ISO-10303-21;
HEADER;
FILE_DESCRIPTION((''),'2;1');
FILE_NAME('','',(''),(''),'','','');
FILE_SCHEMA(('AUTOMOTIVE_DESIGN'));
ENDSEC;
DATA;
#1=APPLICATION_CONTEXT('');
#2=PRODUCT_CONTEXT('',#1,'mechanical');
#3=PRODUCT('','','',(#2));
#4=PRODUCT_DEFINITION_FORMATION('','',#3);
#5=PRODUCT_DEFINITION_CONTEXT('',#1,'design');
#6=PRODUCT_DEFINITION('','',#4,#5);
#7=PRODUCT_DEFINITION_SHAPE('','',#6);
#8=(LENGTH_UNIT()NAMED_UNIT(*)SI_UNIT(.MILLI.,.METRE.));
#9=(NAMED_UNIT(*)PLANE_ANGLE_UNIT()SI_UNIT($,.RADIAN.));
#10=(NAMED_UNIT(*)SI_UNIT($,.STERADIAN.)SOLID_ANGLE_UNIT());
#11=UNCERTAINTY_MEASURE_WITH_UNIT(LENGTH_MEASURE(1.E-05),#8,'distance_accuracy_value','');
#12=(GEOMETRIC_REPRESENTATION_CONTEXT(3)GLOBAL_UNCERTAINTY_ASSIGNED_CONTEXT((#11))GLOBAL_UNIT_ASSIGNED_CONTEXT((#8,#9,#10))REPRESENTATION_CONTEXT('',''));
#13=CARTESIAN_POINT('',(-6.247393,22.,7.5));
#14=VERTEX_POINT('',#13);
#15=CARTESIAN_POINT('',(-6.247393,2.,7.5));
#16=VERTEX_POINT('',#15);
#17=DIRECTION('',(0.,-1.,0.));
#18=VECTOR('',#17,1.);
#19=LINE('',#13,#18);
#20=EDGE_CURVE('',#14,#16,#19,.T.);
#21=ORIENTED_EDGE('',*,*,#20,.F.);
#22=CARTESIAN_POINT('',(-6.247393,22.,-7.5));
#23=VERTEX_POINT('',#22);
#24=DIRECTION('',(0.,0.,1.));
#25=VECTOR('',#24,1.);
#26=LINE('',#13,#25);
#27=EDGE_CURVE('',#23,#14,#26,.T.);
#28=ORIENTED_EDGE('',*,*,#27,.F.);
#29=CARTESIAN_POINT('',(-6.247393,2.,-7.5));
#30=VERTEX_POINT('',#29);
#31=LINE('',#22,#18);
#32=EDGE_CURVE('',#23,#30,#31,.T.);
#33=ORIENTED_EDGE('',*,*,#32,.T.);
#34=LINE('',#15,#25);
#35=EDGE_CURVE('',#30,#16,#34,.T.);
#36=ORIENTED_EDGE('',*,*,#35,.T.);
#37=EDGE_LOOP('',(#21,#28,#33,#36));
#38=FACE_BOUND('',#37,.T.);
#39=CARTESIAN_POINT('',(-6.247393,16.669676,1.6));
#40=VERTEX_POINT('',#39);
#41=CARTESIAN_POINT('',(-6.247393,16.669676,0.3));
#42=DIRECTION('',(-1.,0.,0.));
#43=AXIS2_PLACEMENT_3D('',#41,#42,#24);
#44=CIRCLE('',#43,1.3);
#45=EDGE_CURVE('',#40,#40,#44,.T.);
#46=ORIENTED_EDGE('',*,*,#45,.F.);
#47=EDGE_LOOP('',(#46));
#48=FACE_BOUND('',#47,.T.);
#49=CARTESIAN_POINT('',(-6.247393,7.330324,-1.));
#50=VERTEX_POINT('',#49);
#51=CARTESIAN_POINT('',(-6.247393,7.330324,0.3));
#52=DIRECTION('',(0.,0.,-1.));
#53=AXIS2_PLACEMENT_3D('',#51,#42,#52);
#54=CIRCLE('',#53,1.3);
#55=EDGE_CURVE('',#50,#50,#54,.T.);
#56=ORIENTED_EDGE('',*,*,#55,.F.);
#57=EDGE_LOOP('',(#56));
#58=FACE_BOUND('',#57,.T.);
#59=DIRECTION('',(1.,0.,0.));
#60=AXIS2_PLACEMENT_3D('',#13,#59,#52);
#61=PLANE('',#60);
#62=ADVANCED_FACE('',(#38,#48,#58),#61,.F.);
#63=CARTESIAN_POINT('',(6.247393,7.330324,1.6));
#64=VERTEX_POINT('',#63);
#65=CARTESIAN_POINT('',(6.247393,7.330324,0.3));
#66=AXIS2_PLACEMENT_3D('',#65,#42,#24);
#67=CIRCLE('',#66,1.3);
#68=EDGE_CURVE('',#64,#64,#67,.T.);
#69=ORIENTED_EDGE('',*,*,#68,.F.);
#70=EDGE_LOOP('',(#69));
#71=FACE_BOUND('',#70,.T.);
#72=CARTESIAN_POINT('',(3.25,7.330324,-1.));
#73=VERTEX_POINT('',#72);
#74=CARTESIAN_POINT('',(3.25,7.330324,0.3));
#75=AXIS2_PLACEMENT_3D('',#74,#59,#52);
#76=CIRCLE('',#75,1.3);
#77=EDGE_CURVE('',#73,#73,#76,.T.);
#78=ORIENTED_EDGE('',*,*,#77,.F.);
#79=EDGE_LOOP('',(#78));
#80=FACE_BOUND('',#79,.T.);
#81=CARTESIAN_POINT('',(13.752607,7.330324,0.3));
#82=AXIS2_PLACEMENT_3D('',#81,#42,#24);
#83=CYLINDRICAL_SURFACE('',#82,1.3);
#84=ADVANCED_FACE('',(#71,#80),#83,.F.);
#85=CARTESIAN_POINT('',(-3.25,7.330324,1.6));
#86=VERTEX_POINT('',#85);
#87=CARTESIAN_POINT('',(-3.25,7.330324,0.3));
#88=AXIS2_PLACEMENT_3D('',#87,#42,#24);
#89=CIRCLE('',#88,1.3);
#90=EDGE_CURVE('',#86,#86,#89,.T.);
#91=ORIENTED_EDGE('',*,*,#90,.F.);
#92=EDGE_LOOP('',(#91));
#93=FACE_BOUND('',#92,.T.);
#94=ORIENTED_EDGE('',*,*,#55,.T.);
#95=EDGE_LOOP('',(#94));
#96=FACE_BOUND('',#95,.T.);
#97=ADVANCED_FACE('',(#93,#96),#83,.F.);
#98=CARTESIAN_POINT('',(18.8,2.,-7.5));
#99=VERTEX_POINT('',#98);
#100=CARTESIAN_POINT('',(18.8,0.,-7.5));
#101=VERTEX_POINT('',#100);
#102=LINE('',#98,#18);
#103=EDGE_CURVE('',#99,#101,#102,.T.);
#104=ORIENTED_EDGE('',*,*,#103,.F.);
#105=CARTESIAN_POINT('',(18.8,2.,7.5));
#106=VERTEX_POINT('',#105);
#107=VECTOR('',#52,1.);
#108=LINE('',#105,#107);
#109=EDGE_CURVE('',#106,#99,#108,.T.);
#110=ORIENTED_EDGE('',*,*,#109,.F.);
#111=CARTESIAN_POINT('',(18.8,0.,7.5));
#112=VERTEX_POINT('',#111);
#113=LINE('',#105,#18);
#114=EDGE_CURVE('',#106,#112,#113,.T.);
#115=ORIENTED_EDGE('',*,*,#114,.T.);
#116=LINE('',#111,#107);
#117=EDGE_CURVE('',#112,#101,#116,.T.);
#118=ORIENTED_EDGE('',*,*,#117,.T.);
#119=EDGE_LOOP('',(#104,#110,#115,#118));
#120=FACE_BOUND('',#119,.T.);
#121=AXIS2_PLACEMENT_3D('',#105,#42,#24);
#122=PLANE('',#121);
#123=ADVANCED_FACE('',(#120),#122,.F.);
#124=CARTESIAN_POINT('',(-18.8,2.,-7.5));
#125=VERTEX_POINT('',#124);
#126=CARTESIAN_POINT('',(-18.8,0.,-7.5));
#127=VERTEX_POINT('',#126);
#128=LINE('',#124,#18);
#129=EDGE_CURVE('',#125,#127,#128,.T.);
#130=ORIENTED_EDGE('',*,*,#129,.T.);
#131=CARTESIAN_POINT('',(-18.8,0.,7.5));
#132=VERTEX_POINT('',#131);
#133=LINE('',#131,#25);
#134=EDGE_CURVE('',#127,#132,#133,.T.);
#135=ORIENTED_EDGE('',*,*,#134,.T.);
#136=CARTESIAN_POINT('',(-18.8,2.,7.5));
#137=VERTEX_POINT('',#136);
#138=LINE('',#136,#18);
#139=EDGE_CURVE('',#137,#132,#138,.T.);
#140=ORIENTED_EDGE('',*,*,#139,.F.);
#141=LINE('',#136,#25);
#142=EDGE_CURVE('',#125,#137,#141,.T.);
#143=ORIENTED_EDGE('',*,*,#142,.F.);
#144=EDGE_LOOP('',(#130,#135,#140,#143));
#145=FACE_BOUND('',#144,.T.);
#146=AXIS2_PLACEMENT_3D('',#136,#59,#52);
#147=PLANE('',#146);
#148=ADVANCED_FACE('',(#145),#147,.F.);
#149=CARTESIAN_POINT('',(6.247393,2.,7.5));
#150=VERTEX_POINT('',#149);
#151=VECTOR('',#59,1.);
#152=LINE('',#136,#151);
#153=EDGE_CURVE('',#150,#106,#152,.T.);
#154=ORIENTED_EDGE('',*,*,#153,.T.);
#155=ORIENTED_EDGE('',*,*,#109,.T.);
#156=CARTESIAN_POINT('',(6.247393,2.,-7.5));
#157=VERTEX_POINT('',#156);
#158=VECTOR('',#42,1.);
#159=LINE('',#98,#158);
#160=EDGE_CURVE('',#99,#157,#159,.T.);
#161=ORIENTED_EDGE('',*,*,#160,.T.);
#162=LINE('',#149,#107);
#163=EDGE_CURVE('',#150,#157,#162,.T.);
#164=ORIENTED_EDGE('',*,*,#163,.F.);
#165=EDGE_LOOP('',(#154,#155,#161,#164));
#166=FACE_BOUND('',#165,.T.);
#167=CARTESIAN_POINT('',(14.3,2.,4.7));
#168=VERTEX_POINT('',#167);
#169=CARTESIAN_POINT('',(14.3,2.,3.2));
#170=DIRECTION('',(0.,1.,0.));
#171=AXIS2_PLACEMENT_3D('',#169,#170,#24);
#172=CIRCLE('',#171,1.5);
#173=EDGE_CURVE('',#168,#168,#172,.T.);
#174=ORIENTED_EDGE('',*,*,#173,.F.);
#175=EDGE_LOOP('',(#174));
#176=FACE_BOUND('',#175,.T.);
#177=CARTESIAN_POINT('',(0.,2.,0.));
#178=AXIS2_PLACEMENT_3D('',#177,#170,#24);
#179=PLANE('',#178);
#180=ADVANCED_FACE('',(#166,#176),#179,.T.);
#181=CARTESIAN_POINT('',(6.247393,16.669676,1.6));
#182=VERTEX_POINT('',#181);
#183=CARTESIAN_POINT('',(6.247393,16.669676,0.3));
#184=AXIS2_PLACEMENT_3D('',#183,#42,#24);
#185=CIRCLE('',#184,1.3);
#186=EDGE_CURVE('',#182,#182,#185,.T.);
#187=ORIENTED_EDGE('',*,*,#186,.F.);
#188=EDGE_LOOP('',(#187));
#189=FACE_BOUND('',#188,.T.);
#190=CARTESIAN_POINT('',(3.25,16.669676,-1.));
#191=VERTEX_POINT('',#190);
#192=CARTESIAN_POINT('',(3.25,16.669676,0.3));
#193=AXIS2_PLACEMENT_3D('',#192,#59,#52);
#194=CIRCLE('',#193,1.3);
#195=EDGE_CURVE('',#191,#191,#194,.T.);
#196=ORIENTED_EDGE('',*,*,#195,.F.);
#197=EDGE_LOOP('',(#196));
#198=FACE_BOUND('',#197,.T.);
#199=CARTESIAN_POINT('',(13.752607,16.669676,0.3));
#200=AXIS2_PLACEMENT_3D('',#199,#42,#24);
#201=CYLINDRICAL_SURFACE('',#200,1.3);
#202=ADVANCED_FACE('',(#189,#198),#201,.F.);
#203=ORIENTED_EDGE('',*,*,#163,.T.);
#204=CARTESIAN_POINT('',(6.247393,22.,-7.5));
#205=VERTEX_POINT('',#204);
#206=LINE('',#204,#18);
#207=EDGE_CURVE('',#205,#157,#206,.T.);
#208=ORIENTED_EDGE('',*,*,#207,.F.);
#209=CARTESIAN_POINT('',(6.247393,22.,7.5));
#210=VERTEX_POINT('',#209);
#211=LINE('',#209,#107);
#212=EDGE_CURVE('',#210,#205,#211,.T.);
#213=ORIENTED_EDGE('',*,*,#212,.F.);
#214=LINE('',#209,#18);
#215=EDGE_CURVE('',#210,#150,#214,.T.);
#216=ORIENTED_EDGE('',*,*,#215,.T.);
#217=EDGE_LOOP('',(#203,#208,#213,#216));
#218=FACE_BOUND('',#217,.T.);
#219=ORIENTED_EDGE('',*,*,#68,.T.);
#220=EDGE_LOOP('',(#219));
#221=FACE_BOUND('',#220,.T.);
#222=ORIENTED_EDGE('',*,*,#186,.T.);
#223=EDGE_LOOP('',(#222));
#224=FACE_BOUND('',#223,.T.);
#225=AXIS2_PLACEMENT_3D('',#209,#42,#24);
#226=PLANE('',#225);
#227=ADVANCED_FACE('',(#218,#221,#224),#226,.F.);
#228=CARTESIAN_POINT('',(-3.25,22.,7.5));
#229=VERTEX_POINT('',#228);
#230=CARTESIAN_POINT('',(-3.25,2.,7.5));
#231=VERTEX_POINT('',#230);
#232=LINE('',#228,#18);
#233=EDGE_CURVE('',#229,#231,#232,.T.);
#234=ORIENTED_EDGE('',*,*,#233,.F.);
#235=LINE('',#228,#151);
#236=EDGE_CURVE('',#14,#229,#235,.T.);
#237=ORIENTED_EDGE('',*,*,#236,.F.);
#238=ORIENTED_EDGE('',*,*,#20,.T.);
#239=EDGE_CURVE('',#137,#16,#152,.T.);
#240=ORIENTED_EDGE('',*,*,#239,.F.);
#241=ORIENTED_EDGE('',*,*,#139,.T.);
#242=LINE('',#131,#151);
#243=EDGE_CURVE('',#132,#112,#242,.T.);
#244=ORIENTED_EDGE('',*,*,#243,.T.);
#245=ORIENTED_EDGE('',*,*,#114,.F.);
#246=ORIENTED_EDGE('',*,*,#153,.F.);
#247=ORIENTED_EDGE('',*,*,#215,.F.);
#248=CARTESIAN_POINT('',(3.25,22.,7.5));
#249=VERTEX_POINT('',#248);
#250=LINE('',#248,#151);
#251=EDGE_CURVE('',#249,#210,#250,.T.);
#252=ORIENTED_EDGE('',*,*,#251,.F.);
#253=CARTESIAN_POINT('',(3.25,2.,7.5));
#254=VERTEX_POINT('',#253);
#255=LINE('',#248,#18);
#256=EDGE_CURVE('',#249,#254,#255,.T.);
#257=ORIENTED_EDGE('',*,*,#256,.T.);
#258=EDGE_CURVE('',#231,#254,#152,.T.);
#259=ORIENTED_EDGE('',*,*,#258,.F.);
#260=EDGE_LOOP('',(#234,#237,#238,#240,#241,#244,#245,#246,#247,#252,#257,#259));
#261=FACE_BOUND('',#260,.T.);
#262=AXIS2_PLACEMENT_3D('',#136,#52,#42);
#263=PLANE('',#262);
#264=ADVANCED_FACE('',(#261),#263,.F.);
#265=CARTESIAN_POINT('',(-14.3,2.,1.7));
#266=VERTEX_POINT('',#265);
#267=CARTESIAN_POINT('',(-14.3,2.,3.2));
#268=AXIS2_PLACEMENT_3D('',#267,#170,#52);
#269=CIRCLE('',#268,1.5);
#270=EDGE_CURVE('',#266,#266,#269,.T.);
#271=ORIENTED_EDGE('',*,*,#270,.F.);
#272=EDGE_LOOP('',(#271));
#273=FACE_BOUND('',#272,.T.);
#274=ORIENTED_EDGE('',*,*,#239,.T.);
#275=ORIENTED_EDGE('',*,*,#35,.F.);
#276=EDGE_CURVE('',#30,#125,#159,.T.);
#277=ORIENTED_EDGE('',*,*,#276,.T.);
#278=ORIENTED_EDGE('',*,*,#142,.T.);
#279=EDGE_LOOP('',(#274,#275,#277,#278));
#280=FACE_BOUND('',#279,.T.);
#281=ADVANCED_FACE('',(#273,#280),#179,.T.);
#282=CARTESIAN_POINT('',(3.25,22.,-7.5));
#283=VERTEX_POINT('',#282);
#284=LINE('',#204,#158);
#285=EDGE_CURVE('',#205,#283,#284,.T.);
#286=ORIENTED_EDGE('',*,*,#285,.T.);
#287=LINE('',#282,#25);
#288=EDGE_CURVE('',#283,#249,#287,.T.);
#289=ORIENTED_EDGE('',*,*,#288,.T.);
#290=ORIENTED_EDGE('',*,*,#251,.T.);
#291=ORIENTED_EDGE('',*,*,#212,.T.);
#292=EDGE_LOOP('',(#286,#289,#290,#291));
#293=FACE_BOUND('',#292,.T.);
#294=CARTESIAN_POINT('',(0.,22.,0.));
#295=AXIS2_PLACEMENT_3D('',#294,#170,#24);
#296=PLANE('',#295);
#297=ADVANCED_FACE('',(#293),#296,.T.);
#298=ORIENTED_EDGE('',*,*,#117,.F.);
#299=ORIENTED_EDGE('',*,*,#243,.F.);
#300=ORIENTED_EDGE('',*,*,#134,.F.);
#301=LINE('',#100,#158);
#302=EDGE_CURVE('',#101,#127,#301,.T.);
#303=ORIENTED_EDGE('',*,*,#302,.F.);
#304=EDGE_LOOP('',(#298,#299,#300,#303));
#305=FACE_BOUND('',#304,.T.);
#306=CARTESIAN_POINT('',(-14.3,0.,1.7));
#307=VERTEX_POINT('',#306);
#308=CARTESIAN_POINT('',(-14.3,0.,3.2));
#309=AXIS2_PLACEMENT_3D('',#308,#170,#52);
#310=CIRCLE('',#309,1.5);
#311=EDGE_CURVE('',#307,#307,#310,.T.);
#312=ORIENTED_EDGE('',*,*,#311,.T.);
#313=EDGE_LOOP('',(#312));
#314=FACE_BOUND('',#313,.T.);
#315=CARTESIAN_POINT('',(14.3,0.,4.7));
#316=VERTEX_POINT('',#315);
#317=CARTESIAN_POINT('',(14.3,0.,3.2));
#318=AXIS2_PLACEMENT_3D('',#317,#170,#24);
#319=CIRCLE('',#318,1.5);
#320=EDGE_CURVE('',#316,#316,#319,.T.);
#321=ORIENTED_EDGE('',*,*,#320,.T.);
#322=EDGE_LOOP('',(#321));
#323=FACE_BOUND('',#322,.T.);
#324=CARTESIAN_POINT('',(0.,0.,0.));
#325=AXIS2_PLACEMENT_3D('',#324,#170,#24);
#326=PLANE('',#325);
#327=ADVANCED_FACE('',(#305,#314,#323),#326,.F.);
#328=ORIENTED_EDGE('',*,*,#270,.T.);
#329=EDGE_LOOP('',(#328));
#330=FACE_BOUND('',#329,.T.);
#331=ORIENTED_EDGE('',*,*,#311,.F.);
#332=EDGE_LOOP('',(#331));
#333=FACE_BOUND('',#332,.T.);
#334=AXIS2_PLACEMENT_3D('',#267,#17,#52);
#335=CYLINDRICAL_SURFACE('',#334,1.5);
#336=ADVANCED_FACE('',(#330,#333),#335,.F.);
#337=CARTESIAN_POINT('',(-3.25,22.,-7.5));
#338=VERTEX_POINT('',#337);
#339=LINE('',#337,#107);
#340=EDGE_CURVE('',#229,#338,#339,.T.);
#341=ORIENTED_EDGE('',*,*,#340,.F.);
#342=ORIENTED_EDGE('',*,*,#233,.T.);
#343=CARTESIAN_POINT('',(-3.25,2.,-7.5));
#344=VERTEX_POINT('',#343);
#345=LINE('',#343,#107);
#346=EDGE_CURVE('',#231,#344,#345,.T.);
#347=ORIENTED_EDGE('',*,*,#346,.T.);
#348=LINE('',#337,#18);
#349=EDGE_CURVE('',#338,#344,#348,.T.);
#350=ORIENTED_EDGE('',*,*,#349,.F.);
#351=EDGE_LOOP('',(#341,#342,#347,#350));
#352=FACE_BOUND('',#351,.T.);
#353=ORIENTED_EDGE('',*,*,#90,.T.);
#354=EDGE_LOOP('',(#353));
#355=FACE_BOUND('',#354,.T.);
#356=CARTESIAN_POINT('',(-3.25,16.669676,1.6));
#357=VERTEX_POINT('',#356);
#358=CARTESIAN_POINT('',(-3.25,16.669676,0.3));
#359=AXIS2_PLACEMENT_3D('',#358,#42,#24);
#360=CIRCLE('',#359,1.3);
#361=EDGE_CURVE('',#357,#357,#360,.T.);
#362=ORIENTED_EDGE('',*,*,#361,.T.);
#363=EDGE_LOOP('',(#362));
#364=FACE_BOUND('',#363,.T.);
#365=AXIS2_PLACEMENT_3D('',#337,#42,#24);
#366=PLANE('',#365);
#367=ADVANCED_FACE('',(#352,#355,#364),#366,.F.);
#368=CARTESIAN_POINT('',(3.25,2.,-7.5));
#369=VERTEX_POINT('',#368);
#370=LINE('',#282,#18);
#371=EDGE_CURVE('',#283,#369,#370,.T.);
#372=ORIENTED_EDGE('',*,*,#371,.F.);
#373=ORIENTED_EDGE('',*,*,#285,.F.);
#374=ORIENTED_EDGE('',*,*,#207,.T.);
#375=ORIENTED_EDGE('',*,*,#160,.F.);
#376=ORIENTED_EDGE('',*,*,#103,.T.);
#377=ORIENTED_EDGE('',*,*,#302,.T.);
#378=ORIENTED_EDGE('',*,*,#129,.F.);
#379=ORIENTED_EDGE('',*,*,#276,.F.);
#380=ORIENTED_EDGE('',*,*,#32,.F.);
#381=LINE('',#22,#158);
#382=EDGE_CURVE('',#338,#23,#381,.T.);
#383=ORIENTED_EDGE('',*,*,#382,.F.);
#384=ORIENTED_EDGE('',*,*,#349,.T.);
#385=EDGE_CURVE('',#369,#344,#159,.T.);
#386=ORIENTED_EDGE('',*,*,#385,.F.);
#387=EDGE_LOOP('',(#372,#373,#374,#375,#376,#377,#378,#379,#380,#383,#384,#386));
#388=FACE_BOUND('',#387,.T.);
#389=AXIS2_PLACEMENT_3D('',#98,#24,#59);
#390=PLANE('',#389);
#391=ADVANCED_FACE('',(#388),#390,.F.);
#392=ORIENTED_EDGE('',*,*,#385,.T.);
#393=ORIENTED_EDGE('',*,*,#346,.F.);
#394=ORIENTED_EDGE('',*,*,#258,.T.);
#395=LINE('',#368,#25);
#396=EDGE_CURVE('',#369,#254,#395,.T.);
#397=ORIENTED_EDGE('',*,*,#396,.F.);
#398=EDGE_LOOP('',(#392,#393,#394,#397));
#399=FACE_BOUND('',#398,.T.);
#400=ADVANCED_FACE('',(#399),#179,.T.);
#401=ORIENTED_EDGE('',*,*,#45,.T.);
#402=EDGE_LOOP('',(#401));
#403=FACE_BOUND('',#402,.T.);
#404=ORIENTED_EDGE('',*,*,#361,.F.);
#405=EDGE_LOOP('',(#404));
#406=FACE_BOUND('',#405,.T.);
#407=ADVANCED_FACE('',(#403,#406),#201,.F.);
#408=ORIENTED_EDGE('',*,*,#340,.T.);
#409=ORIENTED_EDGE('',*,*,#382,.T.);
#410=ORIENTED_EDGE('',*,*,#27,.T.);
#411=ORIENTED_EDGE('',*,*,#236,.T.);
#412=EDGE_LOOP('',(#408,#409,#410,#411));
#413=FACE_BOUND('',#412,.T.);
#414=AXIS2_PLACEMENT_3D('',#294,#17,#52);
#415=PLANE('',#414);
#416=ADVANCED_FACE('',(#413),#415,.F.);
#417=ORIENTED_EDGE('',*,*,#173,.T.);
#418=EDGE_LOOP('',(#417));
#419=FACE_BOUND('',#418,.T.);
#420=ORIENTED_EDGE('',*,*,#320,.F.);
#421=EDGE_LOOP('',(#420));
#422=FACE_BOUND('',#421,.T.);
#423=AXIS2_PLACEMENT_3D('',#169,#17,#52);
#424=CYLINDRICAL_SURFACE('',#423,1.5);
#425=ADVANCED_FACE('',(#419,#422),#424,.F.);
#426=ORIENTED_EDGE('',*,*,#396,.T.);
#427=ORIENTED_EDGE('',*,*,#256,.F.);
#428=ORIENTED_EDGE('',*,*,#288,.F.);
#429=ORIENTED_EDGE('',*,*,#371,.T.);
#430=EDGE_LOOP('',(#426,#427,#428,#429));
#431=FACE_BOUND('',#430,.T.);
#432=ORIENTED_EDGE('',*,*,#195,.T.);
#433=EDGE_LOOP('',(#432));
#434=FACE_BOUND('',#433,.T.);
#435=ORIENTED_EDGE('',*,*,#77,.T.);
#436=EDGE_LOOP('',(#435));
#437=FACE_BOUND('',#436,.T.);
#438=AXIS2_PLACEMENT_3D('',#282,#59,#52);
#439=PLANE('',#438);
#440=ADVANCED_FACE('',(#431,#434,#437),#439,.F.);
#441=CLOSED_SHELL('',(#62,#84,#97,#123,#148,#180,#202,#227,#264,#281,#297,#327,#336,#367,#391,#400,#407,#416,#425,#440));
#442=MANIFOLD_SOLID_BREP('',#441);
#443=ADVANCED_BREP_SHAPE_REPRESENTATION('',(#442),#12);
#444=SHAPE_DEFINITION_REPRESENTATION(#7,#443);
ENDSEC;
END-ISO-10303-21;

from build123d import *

# Parameters (mm, degrees)
CROQUIS1_W              = 37.6
CROQUIS1_H              = 15
CROQUIS1_R              = 1.5
SALIENTE_EXTRUIR1_DEPTH = 2
CROQUIS2_W              = 2.997393123
CROQUIS2_H              = 15
SALIENTE_EXTRUIR2_DEPTH = 20
CROQUIS3_R              = 1.3
CORTAR_EXTRUIR1_DEPTH   = 20


with BuildPart() as part:
    # Croquis1 → Saliente-Extruir1 (new body)
    with BuildSketch(Plane(origin=(0, 0, 0), x_dir=(1, 0, 0), z_dir=(0, 1, 0))):
        Rectangle(CROQUIS1_W, CROQUIS1_H)
        with Locations(Location((14.3, -3.2, 0), (0, 0, 270))):
            Circle(CROQUIS1_R, mode=Mode.SUBTRACT)
        with Locations(Location((-14.3, -3.2, 0), (0, 0, 90))):
            Circle(CROQUIS1_R, mode=Mode.SUBTRACT)
    extrude(amount=SALIENTE_EXTRUIR1_DEPTH)

    # Croquis2 → Saliente-Extruir2 (add)
    with BuildSketch(Plane(origin=(0, 2, 0), x_dir=(1, 0, 0), z_dir=(0, 1, 0))):
        with Locations((-4.748696562, 0)):
            Rectangle(CROQUIS2_W, CROQUIS2_H)
        with Locations((4.748696562, 0)):
            Rectangle(CROQUIS2_W, CROQUIS2_H)
    extrude(amount=SALIENTE_EXTRUIR2_DEPTH)

    # Croquis3 → Cortar-Extruir1 (cut)
    with BuildSketch(Plane.ZY.offset(6.247393123)):
        with Locations((0.3, 16.669676255)):
            Circle(CROQUIS3_R)
        with Locations((0.3, 7.330323745)):
            Circle(CROQUIS3_R)
    extrude(amount=-CORTAR_EXTRUIR1_DEPTH, mode=Mode.SUBTRACT)


solid = part.part
